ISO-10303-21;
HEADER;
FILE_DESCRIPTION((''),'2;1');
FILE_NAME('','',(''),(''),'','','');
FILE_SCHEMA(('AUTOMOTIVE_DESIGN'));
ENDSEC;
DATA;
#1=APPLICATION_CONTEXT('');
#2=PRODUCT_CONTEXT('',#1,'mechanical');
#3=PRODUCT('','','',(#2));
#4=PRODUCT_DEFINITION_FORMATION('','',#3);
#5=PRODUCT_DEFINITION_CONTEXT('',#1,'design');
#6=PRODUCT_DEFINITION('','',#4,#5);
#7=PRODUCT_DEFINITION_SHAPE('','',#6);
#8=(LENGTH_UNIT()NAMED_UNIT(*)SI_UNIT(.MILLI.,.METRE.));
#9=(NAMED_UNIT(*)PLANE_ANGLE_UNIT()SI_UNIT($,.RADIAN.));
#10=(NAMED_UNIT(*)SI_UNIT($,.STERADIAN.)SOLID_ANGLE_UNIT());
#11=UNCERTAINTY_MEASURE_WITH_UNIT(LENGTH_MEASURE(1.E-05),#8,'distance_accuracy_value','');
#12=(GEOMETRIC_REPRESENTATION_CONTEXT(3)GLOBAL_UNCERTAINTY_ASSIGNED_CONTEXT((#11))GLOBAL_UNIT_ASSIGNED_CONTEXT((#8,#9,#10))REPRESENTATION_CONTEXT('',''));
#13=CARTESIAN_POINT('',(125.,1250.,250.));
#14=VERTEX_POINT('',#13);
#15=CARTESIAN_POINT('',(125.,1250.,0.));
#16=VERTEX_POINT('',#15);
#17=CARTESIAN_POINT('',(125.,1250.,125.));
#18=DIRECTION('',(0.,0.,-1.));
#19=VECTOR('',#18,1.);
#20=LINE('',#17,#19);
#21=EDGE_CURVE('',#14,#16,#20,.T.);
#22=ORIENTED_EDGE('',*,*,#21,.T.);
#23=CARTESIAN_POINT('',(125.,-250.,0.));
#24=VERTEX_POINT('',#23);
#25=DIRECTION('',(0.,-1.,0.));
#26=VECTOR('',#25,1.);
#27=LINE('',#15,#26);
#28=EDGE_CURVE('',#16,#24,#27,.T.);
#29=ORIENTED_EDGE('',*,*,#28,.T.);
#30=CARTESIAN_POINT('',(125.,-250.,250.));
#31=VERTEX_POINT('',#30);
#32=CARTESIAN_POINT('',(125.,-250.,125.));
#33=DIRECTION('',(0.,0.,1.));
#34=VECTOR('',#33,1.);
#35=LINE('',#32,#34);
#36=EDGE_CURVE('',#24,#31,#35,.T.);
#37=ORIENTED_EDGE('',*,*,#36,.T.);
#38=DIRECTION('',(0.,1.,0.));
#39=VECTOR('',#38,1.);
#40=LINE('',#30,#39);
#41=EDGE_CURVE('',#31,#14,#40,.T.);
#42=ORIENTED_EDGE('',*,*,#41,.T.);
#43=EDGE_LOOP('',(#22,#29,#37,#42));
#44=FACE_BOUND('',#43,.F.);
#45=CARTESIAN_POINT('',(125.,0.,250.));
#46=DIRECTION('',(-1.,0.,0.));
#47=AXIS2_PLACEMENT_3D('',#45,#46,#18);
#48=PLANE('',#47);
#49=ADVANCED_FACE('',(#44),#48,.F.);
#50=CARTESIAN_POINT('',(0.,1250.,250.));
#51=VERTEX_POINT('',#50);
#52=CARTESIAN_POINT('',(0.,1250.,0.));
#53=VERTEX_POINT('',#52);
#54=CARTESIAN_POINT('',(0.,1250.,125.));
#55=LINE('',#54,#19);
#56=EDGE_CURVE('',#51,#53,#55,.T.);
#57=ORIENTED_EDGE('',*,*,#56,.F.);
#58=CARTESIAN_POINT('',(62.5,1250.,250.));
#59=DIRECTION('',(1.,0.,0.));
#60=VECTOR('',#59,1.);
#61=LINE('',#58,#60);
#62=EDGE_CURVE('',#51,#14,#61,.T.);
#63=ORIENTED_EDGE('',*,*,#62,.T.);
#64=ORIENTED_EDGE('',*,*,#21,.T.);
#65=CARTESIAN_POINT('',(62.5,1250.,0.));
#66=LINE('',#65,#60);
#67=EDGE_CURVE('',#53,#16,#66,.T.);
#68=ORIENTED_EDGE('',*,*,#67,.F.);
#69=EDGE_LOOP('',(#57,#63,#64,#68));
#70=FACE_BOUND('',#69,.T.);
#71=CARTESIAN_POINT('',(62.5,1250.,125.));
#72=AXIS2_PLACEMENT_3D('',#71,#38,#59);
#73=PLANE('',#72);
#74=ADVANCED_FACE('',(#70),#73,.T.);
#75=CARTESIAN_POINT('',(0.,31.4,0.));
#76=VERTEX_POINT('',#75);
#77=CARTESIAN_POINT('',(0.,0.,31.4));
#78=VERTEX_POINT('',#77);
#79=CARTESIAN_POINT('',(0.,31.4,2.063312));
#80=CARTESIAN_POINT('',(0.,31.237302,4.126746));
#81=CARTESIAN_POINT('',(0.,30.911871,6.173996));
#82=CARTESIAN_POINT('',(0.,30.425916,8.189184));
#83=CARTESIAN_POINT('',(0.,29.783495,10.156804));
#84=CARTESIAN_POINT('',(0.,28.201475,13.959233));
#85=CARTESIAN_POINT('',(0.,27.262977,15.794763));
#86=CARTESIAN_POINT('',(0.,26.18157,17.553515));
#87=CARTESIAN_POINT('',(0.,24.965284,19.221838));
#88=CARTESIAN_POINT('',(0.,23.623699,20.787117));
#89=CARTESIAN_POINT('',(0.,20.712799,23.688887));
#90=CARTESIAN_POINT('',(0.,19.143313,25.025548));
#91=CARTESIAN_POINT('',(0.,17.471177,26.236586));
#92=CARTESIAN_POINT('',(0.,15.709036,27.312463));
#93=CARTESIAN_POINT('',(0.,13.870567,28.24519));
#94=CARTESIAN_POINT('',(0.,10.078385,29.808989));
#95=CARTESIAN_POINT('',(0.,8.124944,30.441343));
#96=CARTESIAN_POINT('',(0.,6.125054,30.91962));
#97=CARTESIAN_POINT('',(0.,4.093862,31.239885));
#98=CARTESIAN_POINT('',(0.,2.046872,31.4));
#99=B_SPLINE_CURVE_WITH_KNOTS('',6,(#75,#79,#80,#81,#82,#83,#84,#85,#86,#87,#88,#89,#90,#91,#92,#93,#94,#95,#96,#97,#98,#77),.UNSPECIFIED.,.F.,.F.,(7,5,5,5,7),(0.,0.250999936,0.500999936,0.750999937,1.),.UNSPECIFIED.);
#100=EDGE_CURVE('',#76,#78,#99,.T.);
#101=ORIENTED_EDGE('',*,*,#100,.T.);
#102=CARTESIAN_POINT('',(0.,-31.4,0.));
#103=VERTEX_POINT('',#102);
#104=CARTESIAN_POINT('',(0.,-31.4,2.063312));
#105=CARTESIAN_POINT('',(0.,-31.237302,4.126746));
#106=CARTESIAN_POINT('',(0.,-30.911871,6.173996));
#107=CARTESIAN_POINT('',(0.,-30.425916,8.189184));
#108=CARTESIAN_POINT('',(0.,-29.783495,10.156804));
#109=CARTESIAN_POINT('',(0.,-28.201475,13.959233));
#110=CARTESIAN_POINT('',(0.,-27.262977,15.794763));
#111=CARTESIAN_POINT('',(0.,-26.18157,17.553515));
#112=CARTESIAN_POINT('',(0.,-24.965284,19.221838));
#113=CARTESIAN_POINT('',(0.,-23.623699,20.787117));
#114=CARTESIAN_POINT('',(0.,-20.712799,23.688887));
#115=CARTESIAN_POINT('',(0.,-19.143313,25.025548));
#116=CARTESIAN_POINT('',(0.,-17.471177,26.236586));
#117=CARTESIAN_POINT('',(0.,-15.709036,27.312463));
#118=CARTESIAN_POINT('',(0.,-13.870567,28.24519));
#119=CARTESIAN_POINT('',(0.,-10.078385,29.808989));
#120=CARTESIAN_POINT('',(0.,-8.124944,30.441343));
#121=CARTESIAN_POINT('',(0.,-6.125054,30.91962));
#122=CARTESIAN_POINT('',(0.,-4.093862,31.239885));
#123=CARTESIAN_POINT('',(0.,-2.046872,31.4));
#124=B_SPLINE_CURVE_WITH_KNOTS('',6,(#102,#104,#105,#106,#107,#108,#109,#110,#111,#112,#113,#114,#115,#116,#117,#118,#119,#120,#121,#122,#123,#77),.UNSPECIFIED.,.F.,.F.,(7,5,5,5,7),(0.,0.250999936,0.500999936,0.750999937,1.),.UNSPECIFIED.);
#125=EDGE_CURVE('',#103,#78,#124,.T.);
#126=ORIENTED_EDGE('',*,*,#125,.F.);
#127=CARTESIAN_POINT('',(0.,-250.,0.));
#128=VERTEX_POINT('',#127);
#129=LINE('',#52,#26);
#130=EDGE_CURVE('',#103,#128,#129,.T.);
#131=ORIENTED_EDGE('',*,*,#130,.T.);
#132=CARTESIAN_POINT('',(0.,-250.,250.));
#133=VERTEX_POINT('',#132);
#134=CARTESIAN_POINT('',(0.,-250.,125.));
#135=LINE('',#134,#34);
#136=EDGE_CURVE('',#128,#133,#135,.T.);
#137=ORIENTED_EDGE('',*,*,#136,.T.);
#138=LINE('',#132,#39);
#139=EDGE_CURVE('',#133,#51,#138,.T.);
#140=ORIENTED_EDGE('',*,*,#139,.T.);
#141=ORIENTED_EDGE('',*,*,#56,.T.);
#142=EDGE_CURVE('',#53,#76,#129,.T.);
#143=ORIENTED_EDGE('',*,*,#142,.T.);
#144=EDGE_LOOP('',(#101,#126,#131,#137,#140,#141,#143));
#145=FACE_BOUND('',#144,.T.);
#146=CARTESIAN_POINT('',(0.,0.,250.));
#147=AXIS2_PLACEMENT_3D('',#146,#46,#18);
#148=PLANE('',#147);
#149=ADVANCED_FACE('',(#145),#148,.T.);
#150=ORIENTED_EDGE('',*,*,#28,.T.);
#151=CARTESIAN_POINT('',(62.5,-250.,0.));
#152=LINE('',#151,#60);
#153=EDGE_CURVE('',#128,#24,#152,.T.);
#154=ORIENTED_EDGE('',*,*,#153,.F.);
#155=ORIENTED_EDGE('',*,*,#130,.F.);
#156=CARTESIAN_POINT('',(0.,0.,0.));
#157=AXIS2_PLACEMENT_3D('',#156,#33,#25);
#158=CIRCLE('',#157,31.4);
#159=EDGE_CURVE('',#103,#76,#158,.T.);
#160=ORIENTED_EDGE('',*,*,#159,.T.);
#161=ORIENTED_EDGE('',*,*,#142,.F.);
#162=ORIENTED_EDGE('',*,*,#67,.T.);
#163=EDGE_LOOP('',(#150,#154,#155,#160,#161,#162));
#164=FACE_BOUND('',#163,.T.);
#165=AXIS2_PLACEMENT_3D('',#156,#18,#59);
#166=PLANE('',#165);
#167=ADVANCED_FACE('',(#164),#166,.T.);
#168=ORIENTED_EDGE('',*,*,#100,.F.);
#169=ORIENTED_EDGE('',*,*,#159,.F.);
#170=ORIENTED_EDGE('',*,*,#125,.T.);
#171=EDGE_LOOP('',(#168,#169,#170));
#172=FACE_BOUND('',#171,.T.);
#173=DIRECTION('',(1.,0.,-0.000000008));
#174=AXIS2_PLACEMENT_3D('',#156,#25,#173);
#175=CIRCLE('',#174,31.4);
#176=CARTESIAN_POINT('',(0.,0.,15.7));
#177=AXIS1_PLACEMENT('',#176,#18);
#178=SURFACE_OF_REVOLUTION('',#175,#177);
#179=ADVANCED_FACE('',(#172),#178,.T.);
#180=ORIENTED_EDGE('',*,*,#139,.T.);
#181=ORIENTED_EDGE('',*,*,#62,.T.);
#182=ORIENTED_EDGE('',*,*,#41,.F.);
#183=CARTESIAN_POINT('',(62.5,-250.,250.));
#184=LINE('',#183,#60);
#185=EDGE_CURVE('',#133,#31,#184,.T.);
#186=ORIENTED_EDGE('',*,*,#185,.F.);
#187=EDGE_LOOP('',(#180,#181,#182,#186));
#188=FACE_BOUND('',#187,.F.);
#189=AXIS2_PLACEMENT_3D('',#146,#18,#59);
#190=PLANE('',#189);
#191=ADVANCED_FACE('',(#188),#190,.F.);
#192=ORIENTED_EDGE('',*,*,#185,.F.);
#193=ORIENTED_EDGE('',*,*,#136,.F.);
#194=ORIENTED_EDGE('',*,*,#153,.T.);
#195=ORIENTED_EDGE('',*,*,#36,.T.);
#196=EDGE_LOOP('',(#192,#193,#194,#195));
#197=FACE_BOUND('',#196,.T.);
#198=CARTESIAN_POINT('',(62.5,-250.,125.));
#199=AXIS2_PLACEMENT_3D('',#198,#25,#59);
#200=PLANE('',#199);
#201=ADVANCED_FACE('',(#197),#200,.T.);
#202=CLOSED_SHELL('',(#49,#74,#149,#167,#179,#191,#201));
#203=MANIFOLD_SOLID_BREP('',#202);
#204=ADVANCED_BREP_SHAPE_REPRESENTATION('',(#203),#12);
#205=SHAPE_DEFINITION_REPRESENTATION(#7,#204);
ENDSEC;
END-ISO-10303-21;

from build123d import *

# Parameters (mm, degrees)
F0_W      = 125
F0_H      = 250
F1_DEPTH  = 250
F1_FACE_W = 125
F1_FACE_H = 250
F2_DEPTH  = 1250


with BuildPart() as f1:
    # F0 (on Front) → F1 (new body)
    with BuildSketch(Plane.XZ):
        with Locations((62.5, 125)):
            Rectangle(F0_W, F0_H)
    extrude(amount=F1_DEPTH)

    # F1_face (on face) → F2 (join)
    with BuildSketch(Plane(origin=(62.5, 0, 125), x_dir=(1, 0, 0), z_dir=(0, 1, 0))):
        Rectangle(F1_FACE_W, F1_FACE_H)
    extrude(amount=F2_DEPTH)

    # F3 (on Front) → F4 (revolve, cut)
    with BuildSketch(Plane.XZ):
        with BuildLine():
            ThreePointArc((31.4, 0), (22.203153, 22.203153), (0, 31.4))
            Line((0, 31.4), (0, 0))
            Line((0, 0), (31.4, 0))
        make_face()
    revolve(axis=Axis((0, 0, 15.7), (0, 0, -1)), mode=Mode.SUBTRACT)


solid = f1.part
